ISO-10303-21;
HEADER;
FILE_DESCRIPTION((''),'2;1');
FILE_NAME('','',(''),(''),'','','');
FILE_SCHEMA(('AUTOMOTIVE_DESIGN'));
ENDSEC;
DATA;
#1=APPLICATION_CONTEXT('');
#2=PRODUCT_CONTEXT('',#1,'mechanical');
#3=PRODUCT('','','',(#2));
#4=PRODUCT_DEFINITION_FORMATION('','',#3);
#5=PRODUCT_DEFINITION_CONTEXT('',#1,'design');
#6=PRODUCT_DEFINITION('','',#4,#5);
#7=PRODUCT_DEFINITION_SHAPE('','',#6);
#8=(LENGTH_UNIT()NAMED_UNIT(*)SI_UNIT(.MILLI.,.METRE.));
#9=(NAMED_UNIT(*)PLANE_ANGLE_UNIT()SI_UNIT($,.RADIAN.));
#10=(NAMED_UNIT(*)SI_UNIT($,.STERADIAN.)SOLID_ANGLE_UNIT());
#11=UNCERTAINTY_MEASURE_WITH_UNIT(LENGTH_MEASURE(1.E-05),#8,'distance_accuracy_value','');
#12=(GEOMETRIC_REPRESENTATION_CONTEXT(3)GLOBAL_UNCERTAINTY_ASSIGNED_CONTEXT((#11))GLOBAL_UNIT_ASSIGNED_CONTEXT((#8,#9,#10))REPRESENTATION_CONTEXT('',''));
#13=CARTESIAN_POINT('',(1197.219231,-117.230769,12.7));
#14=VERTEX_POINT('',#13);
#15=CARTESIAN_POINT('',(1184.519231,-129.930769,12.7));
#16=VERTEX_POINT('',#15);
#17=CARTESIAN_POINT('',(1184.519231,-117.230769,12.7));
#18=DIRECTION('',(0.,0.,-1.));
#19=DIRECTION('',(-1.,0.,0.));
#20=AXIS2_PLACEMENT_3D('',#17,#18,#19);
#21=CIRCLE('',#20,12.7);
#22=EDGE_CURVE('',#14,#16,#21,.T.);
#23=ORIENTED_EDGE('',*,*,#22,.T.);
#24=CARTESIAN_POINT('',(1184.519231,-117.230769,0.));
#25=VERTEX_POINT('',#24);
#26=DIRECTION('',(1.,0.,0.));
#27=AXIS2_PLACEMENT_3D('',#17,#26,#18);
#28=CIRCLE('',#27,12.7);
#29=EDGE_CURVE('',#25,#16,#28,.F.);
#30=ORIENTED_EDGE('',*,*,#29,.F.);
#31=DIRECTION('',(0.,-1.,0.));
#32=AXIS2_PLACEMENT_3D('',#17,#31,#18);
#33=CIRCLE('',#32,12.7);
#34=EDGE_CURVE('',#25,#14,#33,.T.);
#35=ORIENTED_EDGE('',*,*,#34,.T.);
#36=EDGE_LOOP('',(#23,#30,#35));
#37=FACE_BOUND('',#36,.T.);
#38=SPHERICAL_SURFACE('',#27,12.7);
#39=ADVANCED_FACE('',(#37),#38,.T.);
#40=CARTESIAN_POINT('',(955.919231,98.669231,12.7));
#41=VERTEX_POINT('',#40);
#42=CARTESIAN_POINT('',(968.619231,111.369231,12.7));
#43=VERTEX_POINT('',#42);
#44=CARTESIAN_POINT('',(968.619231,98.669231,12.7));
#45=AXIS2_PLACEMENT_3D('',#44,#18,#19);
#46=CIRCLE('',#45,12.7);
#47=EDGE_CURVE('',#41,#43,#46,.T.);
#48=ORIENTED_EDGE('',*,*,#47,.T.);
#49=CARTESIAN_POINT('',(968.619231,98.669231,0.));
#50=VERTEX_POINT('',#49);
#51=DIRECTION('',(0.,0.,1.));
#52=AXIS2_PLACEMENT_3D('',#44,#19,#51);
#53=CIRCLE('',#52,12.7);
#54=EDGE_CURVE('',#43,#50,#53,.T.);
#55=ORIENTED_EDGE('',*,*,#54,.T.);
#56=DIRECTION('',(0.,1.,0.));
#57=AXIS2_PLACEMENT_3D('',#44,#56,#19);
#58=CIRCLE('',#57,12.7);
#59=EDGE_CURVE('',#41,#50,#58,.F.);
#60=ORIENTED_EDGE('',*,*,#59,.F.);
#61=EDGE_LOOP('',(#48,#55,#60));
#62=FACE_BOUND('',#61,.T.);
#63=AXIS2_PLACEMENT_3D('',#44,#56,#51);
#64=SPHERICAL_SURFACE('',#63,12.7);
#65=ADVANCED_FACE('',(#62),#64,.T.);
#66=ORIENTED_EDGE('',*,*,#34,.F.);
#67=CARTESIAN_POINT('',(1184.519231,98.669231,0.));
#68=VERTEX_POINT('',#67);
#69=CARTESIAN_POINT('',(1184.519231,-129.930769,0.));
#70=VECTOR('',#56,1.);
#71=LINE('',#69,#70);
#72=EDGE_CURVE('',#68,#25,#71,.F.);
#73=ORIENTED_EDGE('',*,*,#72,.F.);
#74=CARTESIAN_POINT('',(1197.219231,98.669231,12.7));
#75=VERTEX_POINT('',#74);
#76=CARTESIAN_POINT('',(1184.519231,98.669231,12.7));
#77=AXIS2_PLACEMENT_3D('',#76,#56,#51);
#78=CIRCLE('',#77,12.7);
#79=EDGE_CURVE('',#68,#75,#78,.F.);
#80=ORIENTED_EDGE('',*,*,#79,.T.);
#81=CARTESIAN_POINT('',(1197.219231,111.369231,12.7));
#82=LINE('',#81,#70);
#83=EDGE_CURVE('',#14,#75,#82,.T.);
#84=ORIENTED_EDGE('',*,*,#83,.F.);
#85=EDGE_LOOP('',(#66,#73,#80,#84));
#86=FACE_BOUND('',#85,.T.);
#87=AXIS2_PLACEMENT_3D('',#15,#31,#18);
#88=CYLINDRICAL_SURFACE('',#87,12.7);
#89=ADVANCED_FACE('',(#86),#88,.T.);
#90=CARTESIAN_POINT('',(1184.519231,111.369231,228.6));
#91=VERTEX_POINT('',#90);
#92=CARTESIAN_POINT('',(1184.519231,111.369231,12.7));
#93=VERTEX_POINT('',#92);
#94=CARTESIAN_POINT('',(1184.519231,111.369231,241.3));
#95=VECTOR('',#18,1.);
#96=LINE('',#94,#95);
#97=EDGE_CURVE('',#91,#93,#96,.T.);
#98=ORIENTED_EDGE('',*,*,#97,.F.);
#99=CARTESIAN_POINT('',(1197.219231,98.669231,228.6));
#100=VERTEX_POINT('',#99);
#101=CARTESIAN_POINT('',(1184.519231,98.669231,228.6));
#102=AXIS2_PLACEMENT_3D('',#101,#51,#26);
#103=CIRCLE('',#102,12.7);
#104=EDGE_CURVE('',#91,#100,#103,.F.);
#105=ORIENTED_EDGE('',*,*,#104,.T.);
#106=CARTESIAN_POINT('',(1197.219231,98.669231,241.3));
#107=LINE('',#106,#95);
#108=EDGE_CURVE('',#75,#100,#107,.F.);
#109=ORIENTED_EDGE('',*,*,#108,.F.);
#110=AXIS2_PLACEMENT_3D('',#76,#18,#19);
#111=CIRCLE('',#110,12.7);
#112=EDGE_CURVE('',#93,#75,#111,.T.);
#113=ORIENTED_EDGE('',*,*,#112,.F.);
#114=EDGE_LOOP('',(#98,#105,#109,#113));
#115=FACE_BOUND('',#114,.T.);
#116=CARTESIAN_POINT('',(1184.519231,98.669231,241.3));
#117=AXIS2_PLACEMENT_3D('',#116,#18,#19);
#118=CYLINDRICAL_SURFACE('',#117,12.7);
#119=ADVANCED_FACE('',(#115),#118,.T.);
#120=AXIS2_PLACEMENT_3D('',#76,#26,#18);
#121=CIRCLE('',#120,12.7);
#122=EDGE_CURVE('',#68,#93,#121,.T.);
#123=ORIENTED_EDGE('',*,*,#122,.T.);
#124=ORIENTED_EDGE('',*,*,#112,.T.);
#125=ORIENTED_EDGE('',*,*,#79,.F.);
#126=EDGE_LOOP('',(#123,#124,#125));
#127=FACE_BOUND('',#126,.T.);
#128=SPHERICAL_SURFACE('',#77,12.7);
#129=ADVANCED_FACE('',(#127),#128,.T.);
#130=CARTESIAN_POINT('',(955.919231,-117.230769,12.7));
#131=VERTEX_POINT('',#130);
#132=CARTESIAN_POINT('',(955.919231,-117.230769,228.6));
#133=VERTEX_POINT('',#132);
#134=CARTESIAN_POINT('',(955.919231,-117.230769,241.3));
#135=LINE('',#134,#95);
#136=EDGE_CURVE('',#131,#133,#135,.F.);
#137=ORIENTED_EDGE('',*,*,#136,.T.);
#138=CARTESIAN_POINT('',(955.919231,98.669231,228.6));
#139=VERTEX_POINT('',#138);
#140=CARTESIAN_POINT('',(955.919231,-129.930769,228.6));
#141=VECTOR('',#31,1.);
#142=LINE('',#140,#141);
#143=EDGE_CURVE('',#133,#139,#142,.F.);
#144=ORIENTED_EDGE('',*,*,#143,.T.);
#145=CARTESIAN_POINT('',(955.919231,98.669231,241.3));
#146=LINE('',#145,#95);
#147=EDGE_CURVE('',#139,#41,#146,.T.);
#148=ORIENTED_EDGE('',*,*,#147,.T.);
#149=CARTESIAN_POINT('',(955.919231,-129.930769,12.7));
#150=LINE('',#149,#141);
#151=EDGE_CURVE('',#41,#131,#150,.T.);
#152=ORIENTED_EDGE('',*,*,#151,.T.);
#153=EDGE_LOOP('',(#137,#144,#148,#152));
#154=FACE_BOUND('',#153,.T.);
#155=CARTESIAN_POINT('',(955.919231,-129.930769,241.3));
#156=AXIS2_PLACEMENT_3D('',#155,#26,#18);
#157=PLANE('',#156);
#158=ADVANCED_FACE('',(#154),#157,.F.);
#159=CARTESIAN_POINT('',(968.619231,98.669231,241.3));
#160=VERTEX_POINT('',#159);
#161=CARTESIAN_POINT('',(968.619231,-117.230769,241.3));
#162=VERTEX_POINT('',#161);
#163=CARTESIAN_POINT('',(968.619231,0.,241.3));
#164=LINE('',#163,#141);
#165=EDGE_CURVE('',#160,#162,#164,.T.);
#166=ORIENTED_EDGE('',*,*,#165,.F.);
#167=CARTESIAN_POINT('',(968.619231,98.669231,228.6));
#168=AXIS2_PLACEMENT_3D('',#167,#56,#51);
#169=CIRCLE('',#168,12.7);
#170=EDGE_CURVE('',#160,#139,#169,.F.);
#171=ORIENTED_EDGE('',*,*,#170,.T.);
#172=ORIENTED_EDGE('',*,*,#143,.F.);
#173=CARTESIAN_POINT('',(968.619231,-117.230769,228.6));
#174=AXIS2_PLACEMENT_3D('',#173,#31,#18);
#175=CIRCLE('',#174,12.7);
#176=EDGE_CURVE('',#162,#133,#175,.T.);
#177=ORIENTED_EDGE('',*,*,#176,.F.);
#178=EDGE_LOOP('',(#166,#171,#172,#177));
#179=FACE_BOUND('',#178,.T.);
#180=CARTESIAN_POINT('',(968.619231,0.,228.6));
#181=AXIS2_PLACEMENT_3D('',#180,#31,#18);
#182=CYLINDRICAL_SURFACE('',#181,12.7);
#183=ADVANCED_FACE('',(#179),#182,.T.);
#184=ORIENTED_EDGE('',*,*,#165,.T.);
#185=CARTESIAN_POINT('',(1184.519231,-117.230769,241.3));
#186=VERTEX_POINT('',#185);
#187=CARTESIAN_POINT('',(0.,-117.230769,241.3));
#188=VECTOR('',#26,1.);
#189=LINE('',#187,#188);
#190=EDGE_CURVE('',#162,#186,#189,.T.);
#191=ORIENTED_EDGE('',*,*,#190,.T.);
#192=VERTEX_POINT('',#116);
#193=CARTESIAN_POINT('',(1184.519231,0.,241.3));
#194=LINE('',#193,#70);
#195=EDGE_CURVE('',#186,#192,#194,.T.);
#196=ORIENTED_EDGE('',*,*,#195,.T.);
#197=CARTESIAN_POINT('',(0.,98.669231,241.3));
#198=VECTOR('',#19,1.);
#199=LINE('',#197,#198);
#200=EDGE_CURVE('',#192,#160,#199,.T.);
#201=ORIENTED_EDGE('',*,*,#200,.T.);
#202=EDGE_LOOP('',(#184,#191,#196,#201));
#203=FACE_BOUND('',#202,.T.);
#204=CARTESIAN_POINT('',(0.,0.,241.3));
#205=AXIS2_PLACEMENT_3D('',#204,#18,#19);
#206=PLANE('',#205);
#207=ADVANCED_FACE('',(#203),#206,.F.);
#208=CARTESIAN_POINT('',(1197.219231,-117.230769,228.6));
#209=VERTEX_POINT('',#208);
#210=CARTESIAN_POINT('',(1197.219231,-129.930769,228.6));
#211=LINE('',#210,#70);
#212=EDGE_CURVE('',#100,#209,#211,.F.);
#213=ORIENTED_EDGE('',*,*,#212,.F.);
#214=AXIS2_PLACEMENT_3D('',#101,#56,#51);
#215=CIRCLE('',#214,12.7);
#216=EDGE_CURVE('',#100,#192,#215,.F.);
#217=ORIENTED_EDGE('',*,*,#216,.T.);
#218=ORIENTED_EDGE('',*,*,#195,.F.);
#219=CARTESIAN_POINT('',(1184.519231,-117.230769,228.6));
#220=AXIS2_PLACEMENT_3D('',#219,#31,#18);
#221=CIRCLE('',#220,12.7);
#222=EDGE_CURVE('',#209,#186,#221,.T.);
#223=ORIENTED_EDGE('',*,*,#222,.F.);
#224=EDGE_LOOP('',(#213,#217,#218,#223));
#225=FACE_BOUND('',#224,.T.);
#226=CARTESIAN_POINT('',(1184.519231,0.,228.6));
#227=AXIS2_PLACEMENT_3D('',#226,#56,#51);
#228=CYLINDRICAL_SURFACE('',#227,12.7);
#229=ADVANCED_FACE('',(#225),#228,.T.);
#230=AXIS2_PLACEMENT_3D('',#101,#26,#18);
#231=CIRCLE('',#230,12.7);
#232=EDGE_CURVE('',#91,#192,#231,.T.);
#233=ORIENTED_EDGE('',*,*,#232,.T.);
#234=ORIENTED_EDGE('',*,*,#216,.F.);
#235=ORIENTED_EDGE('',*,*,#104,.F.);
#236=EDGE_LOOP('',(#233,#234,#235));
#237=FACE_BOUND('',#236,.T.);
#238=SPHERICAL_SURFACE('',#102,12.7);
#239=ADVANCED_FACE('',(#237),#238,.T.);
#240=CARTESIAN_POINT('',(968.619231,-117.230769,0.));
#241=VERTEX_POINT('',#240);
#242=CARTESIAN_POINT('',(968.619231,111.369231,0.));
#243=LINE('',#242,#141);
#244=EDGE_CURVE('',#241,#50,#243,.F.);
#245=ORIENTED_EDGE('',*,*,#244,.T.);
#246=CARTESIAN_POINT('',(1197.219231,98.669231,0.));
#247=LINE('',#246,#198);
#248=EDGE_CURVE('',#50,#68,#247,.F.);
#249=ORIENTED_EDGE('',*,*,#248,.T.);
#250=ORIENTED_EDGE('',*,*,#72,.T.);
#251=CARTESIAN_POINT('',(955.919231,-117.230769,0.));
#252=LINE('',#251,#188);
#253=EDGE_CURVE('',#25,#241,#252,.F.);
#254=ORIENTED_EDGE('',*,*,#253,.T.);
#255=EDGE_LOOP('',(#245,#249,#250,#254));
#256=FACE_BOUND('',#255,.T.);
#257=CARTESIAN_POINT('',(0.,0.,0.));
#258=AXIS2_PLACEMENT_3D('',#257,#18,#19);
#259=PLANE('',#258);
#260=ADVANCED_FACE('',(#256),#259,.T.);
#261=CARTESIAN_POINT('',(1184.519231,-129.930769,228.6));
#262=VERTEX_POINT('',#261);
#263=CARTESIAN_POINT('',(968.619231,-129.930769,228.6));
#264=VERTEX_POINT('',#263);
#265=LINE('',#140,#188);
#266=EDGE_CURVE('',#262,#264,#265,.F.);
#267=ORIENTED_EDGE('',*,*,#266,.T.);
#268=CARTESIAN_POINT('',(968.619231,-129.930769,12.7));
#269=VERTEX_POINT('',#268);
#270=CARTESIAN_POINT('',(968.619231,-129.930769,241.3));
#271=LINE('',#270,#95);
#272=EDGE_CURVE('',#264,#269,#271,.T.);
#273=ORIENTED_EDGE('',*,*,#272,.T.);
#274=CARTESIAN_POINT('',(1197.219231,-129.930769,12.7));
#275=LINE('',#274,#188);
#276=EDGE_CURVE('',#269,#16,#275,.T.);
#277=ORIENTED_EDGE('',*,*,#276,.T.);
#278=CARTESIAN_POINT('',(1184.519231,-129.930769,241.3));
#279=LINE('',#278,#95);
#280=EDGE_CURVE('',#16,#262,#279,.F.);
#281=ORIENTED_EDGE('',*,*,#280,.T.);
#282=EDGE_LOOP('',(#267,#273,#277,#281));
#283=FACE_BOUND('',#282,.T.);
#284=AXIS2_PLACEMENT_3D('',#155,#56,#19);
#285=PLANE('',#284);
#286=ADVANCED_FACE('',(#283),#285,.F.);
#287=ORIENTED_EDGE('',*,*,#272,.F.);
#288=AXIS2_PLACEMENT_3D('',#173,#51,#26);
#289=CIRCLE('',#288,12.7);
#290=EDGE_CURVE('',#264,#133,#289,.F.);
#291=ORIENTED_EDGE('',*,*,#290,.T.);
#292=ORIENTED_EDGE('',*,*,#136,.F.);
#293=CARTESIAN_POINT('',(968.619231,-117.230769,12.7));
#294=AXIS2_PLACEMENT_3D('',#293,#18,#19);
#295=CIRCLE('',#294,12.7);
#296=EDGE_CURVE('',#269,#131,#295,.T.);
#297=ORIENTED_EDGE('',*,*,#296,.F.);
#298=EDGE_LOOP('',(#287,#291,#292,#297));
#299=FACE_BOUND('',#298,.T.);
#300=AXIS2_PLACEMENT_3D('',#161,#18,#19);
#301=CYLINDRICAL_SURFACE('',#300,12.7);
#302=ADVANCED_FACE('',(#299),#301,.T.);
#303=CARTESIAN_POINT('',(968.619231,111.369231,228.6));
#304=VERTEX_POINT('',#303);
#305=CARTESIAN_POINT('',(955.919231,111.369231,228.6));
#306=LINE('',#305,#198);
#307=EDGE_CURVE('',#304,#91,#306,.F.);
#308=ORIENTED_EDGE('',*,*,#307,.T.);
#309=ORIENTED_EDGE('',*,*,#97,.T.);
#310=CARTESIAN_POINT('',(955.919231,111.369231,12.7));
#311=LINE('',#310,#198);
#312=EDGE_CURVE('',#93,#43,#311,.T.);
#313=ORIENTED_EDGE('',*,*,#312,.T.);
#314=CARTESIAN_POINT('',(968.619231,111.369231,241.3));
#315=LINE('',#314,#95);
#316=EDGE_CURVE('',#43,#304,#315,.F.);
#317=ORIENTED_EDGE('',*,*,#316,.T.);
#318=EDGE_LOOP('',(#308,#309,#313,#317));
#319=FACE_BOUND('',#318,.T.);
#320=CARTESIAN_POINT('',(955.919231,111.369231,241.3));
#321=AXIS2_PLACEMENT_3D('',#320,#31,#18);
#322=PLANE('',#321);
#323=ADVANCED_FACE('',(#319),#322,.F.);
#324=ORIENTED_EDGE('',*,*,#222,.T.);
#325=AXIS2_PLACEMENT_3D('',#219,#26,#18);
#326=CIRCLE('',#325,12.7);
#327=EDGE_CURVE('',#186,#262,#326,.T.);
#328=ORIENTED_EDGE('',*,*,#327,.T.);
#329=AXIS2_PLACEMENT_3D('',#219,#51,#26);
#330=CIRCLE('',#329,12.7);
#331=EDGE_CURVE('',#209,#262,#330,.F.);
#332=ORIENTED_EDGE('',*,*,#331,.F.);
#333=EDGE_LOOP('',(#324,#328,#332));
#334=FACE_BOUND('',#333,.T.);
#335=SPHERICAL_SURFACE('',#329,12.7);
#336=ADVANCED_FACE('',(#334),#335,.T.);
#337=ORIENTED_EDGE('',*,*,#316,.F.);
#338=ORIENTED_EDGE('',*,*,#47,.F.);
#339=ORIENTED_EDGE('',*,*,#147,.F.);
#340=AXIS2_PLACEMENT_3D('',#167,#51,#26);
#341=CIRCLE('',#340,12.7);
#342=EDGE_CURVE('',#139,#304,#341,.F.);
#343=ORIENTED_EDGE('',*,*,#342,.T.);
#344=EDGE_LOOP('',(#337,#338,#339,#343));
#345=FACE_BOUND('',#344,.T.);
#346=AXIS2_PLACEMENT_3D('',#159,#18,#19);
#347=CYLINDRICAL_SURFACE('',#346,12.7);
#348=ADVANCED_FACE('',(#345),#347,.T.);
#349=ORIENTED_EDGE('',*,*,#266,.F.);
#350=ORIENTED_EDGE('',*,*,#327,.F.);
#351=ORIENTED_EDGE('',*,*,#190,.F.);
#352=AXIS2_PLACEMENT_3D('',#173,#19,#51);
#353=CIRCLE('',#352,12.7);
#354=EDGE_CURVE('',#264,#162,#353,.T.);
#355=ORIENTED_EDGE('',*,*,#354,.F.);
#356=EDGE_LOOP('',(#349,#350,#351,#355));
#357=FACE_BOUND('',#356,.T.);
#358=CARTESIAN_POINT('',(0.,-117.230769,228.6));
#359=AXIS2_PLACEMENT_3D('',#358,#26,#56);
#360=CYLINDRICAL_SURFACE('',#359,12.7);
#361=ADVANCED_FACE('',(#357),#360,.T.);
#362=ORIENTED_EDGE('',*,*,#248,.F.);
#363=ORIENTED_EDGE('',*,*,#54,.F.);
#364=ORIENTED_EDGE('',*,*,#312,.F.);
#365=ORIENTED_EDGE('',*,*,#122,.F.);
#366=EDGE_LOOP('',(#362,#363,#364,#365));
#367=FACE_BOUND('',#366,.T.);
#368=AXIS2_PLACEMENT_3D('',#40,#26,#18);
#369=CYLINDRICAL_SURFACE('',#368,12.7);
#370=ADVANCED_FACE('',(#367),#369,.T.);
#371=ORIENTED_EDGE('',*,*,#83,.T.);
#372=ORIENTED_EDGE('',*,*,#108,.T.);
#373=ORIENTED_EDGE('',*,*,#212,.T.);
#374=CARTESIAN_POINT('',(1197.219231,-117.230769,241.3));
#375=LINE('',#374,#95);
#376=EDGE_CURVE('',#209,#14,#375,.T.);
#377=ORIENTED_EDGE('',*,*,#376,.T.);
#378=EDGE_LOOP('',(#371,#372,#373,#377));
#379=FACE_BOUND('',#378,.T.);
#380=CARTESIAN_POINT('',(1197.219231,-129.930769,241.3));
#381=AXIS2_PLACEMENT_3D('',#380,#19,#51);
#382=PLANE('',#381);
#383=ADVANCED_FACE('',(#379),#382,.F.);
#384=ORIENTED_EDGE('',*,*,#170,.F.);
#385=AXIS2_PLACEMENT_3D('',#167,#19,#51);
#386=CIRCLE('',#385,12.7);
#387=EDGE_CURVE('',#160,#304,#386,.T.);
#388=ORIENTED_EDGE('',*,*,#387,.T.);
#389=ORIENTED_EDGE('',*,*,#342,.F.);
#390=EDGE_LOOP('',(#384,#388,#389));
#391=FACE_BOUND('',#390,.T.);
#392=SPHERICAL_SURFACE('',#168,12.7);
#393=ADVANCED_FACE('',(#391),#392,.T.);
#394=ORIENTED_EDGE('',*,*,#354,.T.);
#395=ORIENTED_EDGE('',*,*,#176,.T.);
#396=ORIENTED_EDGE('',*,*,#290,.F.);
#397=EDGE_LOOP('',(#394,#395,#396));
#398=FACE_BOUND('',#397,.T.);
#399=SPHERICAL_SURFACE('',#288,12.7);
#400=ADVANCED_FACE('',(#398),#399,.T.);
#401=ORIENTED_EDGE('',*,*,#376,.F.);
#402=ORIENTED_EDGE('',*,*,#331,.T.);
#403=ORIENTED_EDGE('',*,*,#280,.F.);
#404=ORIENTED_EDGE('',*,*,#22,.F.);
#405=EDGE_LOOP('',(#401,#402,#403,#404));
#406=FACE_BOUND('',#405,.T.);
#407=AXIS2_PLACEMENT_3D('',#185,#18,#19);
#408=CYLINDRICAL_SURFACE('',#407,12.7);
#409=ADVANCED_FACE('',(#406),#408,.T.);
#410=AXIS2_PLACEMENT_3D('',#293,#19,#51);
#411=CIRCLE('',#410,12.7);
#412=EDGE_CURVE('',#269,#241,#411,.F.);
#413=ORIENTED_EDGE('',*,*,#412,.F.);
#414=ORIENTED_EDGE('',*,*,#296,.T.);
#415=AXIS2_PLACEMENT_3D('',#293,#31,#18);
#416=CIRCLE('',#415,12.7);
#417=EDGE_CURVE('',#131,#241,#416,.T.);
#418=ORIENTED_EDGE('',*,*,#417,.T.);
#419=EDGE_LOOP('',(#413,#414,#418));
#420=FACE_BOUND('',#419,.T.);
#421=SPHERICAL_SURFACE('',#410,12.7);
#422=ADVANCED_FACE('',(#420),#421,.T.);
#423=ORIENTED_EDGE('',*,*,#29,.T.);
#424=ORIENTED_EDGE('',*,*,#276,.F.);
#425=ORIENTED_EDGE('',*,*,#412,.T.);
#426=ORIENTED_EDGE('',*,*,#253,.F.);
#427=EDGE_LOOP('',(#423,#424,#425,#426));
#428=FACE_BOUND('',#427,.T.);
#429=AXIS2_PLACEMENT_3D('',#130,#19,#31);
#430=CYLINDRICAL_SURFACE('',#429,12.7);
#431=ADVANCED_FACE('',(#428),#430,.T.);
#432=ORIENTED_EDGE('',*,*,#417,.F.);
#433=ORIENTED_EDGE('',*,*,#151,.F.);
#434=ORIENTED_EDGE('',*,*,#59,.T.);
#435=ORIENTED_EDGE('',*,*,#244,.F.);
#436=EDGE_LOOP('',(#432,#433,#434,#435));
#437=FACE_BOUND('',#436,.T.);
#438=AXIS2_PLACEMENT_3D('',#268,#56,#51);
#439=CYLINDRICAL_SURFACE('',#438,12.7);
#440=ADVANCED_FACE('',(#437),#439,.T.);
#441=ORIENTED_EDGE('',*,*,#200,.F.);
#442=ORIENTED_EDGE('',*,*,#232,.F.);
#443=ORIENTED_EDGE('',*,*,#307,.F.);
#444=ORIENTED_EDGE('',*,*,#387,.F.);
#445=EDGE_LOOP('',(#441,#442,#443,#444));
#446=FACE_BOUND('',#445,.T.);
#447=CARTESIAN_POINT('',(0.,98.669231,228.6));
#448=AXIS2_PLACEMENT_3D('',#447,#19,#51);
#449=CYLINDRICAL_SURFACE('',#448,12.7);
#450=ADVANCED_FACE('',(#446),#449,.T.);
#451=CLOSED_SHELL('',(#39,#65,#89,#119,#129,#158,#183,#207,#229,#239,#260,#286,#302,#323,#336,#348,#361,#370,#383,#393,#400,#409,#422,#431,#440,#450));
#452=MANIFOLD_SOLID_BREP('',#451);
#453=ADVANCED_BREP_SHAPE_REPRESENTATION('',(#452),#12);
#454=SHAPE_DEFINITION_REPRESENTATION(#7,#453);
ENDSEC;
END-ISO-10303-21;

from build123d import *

# Parameters (mm, degrees)
SKETCH1_W           = 241.3
SKETCH1_H           = 241.3
BOSS_EXTRUDE1_DEPTH = 241.3
FILLET1_R           = 12.7


with BuildPart() as part:
    # Sketch1 → Boss-Extrude1 (new body)
    with BuildSketch(Plane.XY):
        with Locations((1076.569230769, -9.280769231)):
            Rectangle(SKETCH1_W, SKETCH1_H)
    extrude(amount=BOSS_EXTRUDE1_DEPTH)

    # Fillet1
    fillet1_edges = [part.edges().sort_by_distance(p)[0] for p in [
        (1197.219230769, -9.280769231, 241.3),
        (1076.569230769, 111.369230769, 241.3),
        (955.919230769, -9.280769231, 241.3),
        (1076.569230769, 111.369230769, 0),
        (1197.219230769, -9.280769231, 0),
        (1076.569230769, -129.930769231, 0),
        (955.919230769, -9.280769231, 0),
        (955.919230769, 111.369230769, 120.65),
        (1197.219230769, 111.369230769, 120.65),
        (1197.219230769, -129.930769231, 120.65),
        (955.919230769, -129.930769231, 120.65),
        (1076.569230769, -129.930769231, 241.3),
    ]]
    fillet(fillet1_edges, radius=FILLET1_R)


solid = part.part
